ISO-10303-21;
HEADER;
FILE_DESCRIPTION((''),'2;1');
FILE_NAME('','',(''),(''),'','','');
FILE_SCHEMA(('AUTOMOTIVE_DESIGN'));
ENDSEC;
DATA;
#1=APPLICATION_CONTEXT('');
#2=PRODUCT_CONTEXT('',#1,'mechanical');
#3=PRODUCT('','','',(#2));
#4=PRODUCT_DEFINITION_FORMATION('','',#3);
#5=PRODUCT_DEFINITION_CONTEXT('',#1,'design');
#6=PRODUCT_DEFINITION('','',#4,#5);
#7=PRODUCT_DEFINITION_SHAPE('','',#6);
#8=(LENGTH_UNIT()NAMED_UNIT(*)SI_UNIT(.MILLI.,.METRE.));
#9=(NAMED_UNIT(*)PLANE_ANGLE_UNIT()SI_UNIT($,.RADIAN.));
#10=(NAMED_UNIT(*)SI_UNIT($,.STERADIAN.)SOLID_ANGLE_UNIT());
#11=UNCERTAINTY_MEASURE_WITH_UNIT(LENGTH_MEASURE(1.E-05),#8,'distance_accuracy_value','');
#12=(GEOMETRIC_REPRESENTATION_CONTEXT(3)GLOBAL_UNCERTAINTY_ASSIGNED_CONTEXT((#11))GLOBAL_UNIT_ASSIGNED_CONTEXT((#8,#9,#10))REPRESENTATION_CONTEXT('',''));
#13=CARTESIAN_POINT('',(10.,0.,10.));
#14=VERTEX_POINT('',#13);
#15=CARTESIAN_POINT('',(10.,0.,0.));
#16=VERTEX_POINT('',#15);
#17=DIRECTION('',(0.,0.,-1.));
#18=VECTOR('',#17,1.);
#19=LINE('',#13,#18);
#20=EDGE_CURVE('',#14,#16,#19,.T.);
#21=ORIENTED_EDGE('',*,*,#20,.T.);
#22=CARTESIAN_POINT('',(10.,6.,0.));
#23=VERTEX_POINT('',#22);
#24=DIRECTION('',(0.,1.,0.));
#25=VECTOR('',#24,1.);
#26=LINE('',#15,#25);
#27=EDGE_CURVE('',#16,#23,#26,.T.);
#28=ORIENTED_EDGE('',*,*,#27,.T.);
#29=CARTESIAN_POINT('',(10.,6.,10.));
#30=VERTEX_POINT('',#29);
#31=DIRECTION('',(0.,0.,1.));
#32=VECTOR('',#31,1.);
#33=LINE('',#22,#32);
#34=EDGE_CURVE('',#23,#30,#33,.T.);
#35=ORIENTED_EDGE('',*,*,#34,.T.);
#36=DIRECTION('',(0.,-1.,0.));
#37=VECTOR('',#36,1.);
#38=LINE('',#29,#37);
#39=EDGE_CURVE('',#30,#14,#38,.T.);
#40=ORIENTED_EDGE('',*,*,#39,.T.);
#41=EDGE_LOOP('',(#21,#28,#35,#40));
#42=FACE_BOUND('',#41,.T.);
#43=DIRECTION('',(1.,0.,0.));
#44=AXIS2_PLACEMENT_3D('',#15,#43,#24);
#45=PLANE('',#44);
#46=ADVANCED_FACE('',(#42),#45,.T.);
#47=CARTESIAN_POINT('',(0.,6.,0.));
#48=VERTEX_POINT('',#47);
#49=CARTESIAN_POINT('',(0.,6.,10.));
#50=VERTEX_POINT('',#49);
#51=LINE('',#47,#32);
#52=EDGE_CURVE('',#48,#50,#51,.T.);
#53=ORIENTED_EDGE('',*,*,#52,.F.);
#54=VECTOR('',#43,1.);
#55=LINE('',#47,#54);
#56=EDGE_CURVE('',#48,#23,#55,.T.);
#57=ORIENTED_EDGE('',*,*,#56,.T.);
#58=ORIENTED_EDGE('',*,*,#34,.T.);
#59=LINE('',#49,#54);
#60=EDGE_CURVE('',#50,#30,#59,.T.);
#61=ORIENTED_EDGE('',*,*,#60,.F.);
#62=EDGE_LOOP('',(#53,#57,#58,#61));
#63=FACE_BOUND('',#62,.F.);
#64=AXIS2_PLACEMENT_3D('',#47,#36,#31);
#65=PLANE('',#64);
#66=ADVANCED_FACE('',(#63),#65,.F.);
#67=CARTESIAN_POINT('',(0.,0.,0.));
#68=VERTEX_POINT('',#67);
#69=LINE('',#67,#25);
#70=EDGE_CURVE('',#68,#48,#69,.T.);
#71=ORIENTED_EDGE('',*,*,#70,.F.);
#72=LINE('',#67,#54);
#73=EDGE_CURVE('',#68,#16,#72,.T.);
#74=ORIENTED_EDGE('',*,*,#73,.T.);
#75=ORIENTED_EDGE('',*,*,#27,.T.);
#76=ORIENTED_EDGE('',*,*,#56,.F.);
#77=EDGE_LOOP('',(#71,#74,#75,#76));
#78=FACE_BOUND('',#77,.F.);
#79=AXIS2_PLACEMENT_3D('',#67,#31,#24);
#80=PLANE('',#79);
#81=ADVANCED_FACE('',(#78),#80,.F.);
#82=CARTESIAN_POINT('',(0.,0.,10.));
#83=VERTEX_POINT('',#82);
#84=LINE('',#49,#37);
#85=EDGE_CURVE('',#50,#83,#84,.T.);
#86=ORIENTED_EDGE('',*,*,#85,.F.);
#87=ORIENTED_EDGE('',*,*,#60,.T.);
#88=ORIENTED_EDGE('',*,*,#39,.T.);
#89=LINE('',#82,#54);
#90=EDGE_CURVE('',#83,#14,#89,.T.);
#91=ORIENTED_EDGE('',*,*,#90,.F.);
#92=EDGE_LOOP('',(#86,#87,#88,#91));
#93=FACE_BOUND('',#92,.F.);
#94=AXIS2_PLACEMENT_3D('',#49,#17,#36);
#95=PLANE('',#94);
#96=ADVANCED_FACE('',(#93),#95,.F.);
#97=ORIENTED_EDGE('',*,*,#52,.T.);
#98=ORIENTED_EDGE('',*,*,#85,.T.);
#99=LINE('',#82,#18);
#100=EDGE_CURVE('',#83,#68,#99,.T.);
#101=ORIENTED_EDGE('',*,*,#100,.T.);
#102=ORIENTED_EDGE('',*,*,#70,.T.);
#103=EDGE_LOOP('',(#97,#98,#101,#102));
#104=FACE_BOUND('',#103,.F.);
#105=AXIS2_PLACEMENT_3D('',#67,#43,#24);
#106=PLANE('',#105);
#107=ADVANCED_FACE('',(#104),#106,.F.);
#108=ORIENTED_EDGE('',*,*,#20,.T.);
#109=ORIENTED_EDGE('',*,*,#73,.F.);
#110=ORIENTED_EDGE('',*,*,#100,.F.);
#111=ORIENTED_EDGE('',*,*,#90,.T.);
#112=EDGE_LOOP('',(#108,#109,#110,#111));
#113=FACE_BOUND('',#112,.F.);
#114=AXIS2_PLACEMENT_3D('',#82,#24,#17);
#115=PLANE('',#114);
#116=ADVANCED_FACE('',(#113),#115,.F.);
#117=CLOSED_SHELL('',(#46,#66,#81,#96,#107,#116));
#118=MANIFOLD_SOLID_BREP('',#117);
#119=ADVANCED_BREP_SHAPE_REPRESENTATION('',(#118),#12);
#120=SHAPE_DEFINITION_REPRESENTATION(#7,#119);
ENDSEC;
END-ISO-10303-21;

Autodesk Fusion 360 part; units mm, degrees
sketch "Boceto1" plane through (0, 0, 0) normal (1, 0, 0) x (0, 1, 0)
  line L0 (0, 0) -> (6, 0)
  line L1 (6, 0) -> (6, 10)
  line L2 (6, 10) -> (0, 10)
  line L3 (0, 10) -> (0, 0)
  dimension "d2" = 10
  dimension "d3" = 6
extrude "Extruir1" add sketch "Boceto1" along normal blind 10
equation "L = 10 mm"
equation "d2 = L"
equation "d4 = L"
